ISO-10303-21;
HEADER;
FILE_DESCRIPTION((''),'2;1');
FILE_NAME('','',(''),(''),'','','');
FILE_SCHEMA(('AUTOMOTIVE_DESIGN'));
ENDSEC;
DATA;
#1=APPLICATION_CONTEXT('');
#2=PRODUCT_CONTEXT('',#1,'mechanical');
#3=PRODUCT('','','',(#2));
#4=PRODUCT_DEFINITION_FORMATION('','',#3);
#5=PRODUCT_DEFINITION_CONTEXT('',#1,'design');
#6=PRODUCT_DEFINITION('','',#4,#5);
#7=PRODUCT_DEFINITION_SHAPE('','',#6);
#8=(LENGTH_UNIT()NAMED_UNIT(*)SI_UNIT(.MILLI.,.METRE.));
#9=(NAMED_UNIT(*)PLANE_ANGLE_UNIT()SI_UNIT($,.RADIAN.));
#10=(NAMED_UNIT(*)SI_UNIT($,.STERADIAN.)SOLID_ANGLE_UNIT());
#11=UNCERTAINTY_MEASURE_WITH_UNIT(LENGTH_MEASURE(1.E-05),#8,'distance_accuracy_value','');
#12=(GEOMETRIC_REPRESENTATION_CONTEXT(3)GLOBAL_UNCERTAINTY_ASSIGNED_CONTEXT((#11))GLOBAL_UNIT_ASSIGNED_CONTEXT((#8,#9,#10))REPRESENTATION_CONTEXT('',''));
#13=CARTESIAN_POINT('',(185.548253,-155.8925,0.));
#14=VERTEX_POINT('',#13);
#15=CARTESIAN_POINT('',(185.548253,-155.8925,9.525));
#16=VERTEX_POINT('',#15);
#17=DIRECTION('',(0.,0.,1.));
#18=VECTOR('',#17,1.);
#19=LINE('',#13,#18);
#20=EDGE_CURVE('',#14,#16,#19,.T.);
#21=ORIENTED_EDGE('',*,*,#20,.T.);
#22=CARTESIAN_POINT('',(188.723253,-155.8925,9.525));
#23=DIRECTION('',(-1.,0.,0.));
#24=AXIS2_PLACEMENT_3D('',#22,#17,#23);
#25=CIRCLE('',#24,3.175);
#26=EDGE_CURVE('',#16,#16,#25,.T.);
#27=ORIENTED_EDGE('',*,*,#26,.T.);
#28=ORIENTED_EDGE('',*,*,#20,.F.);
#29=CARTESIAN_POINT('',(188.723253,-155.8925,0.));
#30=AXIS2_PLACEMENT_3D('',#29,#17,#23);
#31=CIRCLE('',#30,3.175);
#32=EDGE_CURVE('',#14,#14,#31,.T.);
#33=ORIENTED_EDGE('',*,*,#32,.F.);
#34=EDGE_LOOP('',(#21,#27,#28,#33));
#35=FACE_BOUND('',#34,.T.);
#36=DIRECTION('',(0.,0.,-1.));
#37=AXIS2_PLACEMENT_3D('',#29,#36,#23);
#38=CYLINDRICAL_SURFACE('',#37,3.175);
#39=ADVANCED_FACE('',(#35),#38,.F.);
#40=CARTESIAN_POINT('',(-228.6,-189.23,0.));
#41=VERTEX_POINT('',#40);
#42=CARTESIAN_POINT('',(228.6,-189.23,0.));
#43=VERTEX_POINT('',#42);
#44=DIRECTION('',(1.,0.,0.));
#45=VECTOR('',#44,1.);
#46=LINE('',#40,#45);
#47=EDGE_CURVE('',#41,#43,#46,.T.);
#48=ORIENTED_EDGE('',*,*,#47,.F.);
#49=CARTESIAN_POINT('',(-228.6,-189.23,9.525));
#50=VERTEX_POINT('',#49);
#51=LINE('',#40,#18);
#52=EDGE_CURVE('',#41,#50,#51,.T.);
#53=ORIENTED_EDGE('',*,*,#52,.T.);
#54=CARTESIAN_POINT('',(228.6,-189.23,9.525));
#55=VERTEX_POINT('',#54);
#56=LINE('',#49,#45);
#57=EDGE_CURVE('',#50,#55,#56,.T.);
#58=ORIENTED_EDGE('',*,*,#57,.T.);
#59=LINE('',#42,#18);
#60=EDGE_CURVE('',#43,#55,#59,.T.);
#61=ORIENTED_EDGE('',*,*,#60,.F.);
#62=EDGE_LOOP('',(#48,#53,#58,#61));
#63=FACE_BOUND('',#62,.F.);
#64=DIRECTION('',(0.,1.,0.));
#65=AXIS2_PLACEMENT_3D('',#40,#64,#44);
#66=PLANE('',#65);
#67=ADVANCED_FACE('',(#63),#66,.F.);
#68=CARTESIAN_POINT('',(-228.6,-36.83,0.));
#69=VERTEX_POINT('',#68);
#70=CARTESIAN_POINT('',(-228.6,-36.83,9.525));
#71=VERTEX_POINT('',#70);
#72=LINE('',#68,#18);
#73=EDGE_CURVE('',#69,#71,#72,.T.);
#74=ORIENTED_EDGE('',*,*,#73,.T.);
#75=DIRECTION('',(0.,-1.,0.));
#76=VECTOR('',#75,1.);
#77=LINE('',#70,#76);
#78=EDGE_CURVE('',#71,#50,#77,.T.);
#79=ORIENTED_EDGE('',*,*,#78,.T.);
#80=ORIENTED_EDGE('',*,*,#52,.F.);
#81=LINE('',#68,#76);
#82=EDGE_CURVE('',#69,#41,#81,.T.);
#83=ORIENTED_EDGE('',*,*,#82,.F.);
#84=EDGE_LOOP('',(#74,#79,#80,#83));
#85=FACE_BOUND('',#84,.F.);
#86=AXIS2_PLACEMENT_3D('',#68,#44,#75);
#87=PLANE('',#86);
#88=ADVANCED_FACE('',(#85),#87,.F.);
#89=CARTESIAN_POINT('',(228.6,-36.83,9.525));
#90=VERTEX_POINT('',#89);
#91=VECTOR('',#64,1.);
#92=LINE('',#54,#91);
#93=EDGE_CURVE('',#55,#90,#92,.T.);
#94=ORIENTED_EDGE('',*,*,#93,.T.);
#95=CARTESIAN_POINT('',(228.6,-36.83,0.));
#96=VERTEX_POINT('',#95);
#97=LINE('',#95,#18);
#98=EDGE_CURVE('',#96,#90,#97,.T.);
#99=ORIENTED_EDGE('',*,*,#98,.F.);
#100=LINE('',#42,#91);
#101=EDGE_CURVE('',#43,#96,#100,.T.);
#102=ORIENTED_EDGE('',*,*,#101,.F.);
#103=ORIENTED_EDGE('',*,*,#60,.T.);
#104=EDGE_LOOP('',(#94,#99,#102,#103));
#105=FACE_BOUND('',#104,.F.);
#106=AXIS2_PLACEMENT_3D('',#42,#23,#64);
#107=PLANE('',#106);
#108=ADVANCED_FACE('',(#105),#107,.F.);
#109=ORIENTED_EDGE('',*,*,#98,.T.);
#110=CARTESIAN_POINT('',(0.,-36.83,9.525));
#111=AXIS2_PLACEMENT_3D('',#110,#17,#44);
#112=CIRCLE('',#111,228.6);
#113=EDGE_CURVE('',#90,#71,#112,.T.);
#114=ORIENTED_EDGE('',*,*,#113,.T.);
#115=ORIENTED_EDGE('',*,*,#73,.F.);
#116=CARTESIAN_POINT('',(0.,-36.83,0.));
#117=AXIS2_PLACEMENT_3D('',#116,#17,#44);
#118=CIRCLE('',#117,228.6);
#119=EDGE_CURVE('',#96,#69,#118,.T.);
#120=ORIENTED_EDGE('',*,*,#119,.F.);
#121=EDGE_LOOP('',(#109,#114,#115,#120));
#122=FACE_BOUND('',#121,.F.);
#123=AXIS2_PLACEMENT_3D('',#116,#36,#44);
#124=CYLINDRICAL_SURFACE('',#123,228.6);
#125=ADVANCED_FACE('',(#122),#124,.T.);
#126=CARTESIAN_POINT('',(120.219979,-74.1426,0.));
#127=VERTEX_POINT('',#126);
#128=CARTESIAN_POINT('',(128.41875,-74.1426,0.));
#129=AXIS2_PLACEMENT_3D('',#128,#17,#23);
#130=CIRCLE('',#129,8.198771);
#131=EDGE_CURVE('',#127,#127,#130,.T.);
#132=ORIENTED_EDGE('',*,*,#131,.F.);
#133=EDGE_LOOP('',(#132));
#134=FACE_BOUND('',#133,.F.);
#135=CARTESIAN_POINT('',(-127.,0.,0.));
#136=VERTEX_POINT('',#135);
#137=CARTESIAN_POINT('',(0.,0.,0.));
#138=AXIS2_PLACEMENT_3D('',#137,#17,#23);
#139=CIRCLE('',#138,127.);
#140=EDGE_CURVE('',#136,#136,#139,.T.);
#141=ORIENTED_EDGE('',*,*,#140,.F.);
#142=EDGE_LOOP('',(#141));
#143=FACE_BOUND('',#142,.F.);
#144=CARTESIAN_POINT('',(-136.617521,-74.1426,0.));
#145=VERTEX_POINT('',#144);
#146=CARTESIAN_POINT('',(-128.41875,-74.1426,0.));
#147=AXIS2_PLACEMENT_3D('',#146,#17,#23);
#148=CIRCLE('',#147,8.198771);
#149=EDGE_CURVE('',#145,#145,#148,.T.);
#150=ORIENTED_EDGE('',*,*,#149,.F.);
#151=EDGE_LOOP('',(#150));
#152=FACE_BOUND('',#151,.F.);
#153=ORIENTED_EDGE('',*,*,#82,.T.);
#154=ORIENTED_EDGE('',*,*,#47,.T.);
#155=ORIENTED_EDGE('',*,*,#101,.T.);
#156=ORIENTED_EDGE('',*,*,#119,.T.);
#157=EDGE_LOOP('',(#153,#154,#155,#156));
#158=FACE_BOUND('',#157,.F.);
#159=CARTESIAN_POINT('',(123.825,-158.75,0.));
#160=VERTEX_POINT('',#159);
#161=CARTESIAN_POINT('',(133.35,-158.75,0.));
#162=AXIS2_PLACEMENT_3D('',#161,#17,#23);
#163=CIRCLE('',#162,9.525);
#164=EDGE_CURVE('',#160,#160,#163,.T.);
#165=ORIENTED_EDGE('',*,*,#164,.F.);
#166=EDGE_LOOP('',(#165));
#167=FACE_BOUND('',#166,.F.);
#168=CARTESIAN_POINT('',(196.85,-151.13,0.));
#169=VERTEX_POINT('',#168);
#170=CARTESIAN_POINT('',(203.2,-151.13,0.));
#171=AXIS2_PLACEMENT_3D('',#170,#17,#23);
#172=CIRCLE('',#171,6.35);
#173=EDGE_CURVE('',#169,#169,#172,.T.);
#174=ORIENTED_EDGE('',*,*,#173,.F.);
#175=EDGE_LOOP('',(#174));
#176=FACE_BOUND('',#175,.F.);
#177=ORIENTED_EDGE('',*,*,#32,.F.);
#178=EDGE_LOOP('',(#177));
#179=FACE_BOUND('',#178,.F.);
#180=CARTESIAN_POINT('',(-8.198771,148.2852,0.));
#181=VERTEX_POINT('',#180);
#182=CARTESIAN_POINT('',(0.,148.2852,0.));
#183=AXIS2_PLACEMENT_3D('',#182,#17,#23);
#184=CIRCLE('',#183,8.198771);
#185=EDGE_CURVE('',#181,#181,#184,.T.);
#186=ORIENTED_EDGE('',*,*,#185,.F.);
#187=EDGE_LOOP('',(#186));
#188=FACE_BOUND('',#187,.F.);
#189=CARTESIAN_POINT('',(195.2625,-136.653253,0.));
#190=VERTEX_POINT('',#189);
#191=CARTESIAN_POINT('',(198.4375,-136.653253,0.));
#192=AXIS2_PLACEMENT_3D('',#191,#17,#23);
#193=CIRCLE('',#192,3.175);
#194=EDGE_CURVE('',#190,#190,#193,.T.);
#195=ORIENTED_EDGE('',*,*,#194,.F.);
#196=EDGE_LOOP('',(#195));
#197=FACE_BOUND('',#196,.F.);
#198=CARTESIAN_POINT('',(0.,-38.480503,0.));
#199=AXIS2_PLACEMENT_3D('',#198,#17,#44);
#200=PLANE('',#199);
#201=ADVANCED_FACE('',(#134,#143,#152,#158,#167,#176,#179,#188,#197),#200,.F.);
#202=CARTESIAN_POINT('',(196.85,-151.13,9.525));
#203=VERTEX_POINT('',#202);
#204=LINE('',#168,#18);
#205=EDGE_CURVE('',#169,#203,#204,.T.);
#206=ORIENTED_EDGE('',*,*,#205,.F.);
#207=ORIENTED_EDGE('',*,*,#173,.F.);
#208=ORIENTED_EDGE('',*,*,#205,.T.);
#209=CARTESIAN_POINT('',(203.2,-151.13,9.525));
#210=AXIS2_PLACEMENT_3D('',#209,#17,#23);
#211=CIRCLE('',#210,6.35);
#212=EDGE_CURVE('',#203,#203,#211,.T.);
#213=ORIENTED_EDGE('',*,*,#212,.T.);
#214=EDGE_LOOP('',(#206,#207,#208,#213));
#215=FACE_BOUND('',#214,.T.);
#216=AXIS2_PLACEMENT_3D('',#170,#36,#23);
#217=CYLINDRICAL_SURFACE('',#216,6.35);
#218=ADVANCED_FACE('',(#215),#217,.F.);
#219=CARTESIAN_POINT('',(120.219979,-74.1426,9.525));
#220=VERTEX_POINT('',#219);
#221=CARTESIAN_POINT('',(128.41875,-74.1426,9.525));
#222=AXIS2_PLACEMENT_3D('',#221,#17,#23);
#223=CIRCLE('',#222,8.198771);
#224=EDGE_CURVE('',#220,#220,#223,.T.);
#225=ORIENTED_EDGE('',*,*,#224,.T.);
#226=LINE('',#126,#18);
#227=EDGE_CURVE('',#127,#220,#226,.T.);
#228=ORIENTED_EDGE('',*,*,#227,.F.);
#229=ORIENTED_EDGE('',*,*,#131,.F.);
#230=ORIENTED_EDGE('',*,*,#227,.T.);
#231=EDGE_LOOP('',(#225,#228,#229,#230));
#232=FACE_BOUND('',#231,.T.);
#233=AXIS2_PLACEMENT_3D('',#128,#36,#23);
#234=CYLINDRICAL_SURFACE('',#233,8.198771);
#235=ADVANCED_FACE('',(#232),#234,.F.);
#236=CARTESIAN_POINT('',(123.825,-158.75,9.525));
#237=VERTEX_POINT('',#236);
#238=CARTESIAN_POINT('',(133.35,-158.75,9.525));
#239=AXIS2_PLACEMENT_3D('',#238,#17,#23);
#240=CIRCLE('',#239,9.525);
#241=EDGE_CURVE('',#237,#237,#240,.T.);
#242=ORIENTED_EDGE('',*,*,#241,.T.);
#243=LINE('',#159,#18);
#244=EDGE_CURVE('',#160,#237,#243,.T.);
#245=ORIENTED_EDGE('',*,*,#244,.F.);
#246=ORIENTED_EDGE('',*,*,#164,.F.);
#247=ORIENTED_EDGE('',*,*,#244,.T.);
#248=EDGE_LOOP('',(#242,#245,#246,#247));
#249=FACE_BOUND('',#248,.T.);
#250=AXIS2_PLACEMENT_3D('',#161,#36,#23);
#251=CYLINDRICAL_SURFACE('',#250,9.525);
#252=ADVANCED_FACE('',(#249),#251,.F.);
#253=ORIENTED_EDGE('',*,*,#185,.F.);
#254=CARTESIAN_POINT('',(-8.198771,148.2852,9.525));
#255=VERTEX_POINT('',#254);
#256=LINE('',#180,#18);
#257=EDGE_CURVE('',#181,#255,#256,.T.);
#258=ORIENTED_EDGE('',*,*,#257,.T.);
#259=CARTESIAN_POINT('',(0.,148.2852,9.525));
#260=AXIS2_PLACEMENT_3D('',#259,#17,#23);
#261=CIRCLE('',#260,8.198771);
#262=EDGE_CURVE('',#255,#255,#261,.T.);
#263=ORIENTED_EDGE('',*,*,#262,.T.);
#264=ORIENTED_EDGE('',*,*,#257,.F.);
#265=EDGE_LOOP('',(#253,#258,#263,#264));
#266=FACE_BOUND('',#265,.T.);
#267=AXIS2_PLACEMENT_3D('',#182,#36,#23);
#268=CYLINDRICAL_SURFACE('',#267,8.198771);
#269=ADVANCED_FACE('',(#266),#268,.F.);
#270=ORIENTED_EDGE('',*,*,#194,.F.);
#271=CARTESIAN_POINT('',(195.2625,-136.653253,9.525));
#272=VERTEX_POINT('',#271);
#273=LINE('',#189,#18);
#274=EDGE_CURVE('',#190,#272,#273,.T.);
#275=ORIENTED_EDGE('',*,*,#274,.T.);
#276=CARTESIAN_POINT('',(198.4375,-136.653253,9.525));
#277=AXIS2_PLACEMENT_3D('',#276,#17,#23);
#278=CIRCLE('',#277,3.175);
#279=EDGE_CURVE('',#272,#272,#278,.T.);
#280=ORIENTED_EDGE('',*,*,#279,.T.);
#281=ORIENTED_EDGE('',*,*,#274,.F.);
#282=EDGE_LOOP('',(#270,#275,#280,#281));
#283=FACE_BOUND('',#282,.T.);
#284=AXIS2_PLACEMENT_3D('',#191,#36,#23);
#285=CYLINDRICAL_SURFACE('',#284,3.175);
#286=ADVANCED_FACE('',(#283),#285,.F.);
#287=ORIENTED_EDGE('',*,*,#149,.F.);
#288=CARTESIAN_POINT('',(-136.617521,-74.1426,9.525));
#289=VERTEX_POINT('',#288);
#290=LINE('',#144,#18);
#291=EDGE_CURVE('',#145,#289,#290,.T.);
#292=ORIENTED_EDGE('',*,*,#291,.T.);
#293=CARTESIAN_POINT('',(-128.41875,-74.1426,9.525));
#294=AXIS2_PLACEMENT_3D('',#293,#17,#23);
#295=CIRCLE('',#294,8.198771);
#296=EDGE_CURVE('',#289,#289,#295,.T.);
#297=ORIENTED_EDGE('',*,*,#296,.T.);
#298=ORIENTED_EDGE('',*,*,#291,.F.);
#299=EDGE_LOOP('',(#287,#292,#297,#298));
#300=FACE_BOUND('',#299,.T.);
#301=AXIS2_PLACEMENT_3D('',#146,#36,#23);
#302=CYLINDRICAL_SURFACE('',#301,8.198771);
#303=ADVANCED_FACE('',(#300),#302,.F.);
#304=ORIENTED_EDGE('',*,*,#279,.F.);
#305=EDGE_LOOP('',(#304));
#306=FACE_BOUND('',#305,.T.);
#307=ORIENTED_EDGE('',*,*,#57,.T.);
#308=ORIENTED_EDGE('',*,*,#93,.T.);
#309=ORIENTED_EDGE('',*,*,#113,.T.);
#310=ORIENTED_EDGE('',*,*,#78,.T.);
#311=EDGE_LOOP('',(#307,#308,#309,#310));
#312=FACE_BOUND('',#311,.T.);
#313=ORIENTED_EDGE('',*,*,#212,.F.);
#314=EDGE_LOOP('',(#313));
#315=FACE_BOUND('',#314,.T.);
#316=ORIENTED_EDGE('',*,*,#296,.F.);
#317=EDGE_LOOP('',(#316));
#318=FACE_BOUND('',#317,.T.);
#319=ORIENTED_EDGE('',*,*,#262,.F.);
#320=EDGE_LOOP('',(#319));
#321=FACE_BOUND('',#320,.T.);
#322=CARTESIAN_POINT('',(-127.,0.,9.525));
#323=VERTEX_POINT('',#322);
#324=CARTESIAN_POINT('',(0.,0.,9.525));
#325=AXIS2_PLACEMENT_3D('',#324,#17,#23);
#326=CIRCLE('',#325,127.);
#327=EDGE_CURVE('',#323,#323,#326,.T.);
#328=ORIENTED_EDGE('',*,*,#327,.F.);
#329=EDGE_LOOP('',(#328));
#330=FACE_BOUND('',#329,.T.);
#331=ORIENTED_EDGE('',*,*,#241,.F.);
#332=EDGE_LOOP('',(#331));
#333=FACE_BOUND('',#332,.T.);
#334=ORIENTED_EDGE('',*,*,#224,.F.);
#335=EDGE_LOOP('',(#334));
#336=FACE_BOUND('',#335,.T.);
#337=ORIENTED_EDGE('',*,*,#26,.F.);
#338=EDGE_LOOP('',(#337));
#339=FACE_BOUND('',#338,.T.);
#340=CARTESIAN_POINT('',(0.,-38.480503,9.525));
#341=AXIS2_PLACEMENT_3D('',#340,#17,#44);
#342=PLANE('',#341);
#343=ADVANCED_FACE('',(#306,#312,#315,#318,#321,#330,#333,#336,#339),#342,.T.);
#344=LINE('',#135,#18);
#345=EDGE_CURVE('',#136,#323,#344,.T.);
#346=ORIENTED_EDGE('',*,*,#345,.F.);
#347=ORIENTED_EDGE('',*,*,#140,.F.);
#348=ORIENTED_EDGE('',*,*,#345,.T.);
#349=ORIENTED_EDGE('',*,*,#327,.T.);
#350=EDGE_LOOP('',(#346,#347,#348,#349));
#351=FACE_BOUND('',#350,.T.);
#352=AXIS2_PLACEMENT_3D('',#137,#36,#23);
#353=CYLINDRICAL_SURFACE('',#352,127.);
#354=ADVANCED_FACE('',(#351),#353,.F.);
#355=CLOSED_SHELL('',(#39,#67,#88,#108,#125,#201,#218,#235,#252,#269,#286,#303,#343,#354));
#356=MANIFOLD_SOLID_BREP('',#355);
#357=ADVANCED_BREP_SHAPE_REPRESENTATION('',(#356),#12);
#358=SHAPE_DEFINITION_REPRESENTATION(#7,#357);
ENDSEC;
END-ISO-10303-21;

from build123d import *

# Parameters (mm, degrees)
SKETCH1_R           = 127
SKETCH1_R_2         = 8.198770857
SKETCH1_R_3         = 6.35
SKETCH1_R_4         = 3.175
SKETCH1_R_5         = 9.525
BOSS_EXTRUDE1_DEPTH = 9.525


with BuildPart() as part:
    # Sketch1 → Boss-Extrude1 (new body)
    with BuildSketch(Plane.XY):
        with BuildLine():
            Line((-228.6, -36.83), (-228.6, -189.23))
            Line((-228.6, -189.23), (228.6, -189.23))
            Line((228.6, -189.23), (228.6, -36.83))
            ThreePointArc((228.6, -36.83), (0, 191.77), (-228.6, -36.83))
        make_face()
        with Locations(Location((0, 0, 0), (0, 0, 180))):
            Circle(SKETCH1_R, mode=Mode.SUBTRACT)
        with Locations(Location((0, 148.2852, 0), (0, 0, 180))):
            Circle(SKETCH1_R_2, mode=Mode.SUBTRACT)
        with Locations(Location((128.418750205, -74.1426, 0), (0, 0, 180))):
            Circle(SKETCH1_R_2, mode=Mode.SUBTRACT)
        with Locations(Location((-128.418750205, -74.1426, 0), (0, 0, 180))):
            Circle(SKETCH1_R_2, mode=Mode.SUBTRACT)
        with Locations(Location((203.2, -151.13, 0), (0, 0, 180))):
            Circle(SKETCH1_R_3, mode=Mode.SUBTRACT)
        with Locations(Location((188.723253344, -155.8925, 0), (0, 0, 180))):
            Circle(SKETCH1_R_4, mode=Mode.SUBTRACT)
        with Locations(Location((198.4375, -136.653253344, 0), (0, 0, 180))):
            Circle(SKETCH1_R_4, mode=Mode.SUBTRACT)
        with Locations(Location((133.35, -158.75, 0), (0, 0, 180))):
            Circle(SKETCH1_R_5, mode=Mode.SUBTRACT)
    extrude(amount=BOSS_EXTRUDE1_DEPTH)


solid = part.part
